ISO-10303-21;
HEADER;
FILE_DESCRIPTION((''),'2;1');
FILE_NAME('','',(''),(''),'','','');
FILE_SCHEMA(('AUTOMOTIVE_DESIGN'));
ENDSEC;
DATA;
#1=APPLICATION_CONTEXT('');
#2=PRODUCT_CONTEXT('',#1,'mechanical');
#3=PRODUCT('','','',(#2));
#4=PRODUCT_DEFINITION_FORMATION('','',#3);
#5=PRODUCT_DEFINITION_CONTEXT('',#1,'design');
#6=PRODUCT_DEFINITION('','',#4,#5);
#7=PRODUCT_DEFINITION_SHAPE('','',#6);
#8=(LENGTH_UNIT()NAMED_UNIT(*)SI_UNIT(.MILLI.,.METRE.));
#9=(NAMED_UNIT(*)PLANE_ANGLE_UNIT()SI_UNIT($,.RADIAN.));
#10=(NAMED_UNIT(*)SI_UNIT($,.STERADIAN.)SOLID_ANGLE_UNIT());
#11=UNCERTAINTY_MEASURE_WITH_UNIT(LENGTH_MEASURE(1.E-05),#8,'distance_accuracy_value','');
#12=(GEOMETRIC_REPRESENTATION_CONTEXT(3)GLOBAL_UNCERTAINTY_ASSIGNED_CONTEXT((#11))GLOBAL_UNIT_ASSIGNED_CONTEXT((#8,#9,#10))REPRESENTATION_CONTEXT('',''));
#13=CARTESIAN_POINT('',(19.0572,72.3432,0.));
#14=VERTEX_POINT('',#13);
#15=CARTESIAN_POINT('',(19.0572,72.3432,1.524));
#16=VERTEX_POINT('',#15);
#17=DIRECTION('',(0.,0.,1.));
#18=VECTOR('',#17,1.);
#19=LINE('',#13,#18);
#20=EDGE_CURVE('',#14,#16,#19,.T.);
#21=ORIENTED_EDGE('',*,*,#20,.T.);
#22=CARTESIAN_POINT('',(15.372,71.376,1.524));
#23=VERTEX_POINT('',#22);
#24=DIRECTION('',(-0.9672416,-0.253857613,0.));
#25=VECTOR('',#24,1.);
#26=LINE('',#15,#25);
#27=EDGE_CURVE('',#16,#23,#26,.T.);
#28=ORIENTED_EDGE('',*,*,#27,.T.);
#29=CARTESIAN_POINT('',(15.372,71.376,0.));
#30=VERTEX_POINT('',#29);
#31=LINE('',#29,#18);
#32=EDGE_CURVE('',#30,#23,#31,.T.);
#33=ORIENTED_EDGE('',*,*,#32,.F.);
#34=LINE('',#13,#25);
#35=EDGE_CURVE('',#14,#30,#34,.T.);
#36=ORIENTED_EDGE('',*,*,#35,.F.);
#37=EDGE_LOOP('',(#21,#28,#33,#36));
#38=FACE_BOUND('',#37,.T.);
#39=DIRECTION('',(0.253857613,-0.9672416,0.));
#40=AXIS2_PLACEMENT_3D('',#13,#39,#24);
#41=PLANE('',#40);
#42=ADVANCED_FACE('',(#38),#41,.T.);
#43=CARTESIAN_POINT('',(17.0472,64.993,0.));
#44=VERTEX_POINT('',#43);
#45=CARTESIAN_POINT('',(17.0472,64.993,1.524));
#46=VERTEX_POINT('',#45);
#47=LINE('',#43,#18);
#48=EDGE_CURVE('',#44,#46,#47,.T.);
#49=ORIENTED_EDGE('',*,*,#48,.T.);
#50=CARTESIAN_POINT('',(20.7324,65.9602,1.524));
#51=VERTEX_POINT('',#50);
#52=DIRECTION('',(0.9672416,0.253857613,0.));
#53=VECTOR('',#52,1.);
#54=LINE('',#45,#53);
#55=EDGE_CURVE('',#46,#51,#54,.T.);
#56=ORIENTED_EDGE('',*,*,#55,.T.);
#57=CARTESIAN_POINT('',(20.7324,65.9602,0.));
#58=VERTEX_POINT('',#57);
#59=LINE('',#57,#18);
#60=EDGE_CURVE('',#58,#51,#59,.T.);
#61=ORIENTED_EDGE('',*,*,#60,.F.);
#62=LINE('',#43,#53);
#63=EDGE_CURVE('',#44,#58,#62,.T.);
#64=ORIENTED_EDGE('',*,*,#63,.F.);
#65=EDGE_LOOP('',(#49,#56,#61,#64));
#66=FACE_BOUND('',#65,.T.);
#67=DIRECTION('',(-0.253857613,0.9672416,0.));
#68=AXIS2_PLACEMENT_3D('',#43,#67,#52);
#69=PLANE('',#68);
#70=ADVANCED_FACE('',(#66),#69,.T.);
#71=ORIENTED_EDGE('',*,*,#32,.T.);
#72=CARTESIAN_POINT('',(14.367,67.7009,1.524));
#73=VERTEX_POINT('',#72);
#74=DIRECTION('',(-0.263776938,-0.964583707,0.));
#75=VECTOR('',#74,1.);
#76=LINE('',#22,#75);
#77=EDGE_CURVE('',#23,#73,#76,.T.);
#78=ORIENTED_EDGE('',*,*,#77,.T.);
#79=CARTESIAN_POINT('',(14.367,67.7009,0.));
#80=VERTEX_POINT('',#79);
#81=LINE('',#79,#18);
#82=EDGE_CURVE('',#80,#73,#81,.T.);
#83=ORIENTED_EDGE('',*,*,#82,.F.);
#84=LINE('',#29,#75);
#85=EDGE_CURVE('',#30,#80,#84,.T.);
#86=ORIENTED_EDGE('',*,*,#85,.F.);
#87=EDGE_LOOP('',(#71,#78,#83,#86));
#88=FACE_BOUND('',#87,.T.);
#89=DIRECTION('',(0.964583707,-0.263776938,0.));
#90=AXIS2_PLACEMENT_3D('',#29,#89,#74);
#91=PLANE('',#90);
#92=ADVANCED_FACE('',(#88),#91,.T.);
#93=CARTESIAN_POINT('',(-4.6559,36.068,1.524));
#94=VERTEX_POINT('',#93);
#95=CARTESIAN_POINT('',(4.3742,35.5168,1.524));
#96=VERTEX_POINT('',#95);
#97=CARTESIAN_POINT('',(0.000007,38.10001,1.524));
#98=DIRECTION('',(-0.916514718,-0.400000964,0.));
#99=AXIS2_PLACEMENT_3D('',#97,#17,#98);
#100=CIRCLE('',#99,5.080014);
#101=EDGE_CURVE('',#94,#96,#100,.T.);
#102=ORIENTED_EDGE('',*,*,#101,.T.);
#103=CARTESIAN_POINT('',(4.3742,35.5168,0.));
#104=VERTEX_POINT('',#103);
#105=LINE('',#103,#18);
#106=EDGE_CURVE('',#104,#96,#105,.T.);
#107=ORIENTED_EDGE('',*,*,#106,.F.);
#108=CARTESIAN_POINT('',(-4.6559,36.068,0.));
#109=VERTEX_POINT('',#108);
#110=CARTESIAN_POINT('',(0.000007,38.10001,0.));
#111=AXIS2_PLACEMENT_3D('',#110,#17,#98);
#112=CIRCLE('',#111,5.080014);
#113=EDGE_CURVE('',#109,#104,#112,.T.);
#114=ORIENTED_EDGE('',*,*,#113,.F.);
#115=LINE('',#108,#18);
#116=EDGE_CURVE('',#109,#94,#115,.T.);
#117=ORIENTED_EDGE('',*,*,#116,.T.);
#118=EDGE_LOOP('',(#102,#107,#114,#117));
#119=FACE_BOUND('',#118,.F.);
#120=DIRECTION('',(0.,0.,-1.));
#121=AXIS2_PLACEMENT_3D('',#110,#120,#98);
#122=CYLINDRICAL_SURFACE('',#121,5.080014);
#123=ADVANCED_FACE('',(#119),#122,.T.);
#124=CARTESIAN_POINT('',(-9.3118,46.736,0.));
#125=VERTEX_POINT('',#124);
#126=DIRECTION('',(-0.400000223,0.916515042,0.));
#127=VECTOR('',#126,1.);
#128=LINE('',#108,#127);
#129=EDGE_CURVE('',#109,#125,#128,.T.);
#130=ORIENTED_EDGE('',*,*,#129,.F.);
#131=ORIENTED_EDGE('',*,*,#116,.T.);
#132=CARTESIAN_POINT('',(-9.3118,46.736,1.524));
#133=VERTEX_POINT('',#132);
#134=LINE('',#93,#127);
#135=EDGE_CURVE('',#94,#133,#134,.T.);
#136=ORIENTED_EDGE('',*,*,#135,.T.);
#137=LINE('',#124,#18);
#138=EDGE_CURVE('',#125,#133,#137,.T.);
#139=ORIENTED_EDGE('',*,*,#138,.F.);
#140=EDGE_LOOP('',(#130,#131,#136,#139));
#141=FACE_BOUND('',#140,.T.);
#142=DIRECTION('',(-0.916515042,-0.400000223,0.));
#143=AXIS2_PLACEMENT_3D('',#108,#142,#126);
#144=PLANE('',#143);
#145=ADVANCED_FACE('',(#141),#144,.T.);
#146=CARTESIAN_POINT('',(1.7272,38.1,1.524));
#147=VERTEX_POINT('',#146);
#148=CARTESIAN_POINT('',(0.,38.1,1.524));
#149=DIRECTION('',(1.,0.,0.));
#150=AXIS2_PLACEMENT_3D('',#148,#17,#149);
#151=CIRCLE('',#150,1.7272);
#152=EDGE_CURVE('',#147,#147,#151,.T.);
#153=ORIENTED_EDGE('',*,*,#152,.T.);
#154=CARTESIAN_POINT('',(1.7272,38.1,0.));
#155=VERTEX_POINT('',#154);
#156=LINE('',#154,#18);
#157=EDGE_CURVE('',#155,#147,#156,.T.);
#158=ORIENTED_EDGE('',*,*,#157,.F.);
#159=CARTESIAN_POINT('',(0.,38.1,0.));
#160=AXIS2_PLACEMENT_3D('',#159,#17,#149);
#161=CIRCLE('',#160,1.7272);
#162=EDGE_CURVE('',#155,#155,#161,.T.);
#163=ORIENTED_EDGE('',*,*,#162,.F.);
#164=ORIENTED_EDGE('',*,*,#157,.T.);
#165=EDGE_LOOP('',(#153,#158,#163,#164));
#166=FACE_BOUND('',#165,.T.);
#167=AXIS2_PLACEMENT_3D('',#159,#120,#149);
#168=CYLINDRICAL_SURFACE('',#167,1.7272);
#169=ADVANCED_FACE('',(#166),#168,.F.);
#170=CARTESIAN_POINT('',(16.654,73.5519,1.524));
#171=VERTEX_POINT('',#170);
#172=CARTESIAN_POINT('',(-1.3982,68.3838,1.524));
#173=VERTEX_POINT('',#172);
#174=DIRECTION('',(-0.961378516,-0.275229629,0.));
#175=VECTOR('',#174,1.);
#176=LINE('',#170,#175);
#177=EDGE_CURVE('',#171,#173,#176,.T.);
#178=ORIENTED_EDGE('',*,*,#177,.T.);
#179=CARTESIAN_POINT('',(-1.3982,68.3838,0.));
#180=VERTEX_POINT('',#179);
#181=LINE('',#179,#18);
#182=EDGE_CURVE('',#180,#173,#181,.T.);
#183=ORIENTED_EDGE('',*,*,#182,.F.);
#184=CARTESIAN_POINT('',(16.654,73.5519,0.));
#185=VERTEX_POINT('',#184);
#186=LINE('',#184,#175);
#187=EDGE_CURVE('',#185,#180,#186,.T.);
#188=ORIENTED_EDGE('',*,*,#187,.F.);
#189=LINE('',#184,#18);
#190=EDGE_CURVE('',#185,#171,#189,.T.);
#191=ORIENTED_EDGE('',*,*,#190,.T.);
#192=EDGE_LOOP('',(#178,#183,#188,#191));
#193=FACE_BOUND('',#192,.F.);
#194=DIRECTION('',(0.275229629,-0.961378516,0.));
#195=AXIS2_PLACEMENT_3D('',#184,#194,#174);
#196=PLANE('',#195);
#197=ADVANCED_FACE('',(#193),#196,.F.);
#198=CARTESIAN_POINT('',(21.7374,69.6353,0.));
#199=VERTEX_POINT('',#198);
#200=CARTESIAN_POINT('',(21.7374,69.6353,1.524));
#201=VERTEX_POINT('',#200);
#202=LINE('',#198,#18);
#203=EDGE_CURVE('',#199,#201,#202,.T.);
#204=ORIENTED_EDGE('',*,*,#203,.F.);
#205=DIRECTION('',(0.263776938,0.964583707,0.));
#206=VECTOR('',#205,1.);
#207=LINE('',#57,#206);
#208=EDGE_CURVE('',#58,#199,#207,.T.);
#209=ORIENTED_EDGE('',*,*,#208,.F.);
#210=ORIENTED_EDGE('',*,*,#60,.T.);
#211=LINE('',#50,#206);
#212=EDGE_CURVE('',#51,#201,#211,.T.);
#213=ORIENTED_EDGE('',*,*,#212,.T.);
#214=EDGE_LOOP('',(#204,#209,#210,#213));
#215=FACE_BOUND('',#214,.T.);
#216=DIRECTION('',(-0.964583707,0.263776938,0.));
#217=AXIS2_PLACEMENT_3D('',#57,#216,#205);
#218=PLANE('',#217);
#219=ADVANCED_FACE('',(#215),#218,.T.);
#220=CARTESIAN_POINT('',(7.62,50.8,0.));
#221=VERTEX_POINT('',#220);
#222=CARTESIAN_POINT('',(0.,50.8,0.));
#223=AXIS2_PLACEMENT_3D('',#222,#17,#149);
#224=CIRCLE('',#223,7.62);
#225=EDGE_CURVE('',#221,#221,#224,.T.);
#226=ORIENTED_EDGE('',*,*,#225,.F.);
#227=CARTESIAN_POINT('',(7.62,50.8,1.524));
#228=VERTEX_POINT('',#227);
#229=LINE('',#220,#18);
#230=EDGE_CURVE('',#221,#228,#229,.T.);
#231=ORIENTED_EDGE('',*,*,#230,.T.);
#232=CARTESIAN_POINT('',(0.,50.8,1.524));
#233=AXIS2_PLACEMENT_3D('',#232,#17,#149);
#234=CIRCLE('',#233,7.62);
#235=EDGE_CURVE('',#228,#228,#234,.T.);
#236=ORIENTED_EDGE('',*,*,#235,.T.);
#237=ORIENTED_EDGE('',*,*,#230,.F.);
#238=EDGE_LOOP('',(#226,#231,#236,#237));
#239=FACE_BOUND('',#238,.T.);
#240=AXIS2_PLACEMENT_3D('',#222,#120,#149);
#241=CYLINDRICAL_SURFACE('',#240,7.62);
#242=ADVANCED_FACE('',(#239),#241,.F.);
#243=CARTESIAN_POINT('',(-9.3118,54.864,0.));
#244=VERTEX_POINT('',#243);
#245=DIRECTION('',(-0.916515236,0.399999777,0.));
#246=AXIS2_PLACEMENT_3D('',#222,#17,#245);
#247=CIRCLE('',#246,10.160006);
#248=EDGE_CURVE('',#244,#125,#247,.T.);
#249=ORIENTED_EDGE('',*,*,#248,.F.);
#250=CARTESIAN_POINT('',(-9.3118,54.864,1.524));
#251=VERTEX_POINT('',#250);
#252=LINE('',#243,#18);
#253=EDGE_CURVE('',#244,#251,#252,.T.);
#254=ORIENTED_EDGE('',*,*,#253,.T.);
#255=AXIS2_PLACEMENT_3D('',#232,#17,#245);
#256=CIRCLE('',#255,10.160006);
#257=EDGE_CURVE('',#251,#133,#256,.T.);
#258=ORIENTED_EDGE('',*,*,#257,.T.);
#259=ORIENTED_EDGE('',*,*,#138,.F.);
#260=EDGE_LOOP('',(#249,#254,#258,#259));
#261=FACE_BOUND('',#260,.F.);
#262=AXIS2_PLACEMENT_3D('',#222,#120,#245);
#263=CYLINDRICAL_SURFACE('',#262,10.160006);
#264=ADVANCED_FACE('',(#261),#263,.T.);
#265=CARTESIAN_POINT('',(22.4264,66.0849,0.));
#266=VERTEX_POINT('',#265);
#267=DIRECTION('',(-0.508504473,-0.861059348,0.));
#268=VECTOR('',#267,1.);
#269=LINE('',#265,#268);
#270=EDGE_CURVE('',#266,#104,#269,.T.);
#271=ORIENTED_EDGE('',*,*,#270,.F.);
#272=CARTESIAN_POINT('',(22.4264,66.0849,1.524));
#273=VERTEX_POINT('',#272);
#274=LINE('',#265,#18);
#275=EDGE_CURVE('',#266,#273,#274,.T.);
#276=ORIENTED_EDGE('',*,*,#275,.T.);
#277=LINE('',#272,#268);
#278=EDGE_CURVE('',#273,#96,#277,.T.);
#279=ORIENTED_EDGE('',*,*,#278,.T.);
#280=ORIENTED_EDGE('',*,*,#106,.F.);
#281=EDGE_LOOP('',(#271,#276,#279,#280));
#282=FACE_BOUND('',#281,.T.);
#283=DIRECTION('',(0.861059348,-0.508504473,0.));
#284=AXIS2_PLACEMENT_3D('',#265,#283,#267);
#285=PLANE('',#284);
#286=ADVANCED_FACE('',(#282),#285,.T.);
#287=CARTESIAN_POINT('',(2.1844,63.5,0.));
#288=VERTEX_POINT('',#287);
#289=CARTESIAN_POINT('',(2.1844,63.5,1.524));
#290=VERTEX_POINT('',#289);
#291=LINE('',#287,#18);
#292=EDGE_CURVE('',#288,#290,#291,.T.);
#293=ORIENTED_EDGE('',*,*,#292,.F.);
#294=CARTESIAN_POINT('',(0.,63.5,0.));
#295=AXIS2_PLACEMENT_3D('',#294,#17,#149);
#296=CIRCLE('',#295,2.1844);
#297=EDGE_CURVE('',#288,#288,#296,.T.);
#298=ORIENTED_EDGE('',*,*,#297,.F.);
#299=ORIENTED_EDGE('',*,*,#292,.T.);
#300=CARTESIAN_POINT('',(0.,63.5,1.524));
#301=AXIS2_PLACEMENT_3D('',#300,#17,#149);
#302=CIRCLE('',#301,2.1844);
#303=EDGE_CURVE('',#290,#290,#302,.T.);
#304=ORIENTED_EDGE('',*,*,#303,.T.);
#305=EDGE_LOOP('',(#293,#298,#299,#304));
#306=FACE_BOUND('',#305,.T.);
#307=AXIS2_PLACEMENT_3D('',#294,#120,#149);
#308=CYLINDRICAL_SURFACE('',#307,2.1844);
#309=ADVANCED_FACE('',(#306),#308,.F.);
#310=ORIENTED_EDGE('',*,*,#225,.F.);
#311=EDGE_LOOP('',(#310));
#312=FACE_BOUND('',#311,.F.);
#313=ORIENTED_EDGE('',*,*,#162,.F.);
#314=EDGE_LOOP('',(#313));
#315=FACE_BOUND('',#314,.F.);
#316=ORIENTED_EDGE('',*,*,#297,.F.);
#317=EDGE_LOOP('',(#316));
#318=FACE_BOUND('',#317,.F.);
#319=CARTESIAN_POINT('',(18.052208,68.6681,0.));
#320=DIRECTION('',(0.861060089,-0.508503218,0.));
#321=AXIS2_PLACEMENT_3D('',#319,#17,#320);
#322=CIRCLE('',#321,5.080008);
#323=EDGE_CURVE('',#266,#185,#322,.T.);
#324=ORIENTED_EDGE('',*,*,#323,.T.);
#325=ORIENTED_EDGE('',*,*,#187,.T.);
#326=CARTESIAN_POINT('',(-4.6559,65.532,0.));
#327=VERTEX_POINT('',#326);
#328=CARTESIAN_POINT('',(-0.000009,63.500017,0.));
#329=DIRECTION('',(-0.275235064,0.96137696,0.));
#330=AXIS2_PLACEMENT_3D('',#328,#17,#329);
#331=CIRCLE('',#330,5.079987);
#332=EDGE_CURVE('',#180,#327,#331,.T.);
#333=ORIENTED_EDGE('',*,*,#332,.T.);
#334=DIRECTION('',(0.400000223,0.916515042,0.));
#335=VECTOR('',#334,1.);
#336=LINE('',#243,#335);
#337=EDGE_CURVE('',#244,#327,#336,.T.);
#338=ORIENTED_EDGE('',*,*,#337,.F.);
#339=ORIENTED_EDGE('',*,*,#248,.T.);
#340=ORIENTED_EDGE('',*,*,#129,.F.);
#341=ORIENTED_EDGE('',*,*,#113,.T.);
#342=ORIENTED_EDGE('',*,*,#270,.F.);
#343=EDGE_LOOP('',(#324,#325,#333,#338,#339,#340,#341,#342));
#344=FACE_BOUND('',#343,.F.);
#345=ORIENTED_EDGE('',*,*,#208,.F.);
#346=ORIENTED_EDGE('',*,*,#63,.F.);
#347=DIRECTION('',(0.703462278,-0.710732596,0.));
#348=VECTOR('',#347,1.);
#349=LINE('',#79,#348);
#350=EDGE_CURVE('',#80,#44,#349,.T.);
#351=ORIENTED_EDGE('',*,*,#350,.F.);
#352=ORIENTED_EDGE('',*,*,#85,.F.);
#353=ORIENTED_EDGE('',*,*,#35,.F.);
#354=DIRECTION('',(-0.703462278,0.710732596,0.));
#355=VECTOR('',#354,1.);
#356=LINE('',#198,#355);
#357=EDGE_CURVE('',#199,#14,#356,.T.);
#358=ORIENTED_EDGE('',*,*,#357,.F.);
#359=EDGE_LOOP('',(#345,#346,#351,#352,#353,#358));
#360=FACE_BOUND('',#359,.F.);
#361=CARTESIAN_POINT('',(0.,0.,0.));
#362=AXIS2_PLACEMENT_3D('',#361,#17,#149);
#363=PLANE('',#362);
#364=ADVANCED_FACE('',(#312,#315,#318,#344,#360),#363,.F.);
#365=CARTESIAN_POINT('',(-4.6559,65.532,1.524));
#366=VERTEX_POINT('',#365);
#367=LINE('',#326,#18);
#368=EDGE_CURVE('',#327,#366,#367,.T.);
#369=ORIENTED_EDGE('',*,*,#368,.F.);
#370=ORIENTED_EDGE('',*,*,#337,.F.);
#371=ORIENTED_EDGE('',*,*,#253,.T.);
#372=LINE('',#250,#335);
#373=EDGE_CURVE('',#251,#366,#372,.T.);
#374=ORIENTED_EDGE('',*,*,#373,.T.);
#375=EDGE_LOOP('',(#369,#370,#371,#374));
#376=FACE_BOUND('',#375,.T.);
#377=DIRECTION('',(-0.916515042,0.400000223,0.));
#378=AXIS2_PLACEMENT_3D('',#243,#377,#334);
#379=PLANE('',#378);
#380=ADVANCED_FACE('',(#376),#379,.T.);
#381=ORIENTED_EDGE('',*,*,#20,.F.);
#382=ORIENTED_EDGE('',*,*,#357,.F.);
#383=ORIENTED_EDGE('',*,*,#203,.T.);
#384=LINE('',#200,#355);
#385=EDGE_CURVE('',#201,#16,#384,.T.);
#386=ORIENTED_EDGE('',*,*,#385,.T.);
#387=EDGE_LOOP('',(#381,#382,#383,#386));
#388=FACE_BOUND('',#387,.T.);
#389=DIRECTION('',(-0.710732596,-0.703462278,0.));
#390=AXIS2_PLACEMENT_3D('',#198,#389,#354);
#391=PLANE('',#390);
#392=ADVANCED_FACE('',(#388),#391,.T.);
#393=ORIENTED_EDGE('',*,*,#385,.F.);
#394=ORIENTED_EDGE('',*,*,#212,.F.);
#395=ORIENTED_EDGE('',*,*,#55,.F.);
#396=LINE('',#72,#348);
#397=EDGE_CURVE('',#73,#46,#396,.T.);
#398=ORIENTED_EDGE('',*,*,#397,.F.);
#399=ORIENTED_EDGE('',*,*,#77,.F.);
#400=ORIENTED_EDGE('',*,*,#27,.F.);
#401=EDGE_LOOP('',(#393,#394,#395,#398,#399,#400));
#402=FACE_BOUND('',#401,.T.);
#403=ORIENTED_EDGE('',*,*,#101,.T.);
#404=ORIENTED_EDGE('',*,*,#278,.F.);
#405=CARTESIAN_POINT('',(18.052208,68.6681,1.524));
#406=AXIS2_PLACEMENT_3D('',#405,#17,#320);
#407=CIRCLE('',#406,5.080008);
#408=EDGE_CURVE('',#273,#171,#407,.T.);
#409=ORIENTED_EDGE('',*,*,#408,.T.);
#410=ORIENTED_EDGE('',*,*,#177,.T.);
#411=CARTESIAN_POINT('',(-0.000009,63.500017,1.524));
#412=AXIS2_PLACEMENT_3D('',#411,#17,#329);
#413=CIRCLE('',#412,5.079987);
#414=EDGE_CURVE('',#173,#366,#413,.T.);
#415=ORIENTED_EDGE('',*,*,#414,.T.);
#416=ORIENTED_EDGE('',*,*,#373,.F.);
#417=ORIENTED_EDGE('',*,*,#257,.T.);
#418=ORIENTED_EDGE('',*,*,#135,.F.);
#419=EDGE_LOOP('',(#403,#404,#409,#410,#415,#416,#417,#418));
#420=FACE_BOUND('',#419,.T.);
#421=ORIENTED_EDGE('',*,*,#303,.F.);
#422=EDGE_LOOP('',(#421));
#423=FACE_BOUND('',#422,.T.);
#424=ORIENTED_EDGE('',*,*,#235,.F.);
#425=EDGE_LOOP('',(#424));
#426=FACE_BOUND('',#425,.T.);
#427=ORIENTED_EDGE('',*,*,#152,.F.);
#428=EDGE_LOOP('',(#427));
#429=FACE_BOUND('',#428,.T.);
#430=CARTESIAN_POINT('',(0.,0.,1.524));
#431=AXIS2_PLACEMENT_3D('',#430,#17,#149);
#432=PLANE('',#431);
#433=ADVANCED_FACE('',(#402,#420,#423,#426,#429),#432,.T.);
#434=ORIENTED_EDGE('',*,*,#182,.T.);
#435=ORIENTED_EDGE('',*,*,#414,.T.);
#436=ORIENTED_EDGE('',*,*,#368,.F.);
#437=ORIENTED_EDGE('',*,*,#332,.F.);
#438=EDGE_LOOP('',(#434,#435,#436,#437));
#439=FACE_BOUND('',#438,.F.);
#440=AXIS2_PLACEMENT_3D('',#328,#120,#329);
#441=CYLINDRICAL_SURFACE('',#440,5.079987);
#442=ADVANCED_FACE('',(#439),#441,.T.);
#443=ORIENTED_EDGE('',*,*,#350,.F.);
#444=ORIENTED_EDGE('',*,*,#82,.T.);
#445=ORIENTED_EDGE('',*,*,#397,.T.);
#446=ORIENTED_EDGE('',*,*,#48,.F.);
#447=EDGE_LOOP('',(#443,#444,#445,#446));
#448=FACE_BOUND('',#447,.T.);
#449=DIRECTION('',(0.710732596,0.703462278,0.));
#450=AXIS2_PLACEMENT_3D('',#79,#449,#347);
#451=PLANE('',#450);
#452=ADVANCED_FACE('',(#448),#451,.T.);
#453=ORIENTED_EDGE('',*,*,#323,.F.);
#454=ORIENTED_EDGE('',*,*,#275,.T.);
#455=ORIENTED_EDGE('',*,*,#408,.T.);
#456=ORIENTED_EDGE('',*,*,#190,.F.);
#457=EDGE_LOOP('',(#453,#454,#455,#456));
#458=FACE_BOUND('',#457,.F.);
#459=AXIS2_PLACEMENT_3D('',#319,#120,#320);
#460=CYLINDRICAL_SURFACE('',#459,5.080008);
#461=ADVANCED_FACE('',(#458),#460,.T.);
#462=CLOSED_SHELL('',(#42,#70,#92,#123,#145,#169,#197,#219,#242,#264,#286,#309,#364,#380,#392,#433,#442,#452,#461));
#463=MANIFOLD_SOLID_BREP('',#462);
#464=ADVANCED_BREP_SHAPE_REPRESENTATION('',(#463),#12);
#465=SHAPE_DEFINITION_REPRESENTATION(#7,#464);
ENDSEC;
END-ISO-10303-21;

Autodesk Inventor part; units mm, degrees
ref_plane "YZ Plane" through (0, 0, 0) normal (1, 0, 0) x (0, 1, 0)
ref_plane "XZ Plane" through (0, 0, 0) normal (0, 1, 0) x (-1, 0, 0)
ref_plane "XY Plane" through (0, 0, 0) normal (0, 0, 1) x (1, 0, 0)
sketch "Sketch1" plane through (0, 0, 0) normal (0, 0, 1) x (1, 0, 0)
  line L0 (20.7324, 65.9602) -> (21.7374, 69.6353) projected
  line L1 (17.0472, 64.993) -> (20.7324, 65.9602) projected
  line L2 (14.367, 67.7009) -> (17.0472, 64.993) projected
  line L3 (15.372, 71.376) -> (14.367, 67.7009) projected
  line L4 (19.0572, 72.3432) -> (15.372, 71.376) projected
  line L5 (21.7374, 69.6353) -> (19.0572, 72.3432) projected
  circle A0 centre (0, 63.5) radius 2.1844 projected
  circle A1 centre (0, 50.8) radius 7.62
  circle A2 centre (0, 38.1) radius 1.7272 projected
  line L6 (22.4264, 66.0849) -> (4.3742, 35.5168)
  line L7 (-4.6559, 36.068) -> (-9.3118, 46.736)
  line L8 (-4.6559, 36.068) -> (-9.3118, 46.736)
  line L9 (16.654, 73.5519) -> (-1.3982, 68.3838)
  line L10 (-9.3118, 54.864) -> (-4.6559, 65.532)
  line L11 (-9.3118, 46.736) -> (-4.6559, 36.068)
  arc A3 (-4.6559, 36.068) -> (4.3742, 35.5168) centre (0, 38.1) ccw
  arc A4 (-9.3118, 54.864) -> (-9.3118, 46.736) centre (0, 50.8) ccw
  arc A5 (-1.3982, 68.3838) -> (-4.6559, 65.532) centre (0, 63.5) ccw
  arc A6 (22.4264, 66.0849) -> (16.654, 73.5519) centre (18.0522, 68.6681) ccw
  point P0 (0, 0)
  dimension "d4" = 15.24
extrude "Extrusion1" add sketch "Sketch1" along normal blind 1.524
properties part number "inner-pto-mount"
